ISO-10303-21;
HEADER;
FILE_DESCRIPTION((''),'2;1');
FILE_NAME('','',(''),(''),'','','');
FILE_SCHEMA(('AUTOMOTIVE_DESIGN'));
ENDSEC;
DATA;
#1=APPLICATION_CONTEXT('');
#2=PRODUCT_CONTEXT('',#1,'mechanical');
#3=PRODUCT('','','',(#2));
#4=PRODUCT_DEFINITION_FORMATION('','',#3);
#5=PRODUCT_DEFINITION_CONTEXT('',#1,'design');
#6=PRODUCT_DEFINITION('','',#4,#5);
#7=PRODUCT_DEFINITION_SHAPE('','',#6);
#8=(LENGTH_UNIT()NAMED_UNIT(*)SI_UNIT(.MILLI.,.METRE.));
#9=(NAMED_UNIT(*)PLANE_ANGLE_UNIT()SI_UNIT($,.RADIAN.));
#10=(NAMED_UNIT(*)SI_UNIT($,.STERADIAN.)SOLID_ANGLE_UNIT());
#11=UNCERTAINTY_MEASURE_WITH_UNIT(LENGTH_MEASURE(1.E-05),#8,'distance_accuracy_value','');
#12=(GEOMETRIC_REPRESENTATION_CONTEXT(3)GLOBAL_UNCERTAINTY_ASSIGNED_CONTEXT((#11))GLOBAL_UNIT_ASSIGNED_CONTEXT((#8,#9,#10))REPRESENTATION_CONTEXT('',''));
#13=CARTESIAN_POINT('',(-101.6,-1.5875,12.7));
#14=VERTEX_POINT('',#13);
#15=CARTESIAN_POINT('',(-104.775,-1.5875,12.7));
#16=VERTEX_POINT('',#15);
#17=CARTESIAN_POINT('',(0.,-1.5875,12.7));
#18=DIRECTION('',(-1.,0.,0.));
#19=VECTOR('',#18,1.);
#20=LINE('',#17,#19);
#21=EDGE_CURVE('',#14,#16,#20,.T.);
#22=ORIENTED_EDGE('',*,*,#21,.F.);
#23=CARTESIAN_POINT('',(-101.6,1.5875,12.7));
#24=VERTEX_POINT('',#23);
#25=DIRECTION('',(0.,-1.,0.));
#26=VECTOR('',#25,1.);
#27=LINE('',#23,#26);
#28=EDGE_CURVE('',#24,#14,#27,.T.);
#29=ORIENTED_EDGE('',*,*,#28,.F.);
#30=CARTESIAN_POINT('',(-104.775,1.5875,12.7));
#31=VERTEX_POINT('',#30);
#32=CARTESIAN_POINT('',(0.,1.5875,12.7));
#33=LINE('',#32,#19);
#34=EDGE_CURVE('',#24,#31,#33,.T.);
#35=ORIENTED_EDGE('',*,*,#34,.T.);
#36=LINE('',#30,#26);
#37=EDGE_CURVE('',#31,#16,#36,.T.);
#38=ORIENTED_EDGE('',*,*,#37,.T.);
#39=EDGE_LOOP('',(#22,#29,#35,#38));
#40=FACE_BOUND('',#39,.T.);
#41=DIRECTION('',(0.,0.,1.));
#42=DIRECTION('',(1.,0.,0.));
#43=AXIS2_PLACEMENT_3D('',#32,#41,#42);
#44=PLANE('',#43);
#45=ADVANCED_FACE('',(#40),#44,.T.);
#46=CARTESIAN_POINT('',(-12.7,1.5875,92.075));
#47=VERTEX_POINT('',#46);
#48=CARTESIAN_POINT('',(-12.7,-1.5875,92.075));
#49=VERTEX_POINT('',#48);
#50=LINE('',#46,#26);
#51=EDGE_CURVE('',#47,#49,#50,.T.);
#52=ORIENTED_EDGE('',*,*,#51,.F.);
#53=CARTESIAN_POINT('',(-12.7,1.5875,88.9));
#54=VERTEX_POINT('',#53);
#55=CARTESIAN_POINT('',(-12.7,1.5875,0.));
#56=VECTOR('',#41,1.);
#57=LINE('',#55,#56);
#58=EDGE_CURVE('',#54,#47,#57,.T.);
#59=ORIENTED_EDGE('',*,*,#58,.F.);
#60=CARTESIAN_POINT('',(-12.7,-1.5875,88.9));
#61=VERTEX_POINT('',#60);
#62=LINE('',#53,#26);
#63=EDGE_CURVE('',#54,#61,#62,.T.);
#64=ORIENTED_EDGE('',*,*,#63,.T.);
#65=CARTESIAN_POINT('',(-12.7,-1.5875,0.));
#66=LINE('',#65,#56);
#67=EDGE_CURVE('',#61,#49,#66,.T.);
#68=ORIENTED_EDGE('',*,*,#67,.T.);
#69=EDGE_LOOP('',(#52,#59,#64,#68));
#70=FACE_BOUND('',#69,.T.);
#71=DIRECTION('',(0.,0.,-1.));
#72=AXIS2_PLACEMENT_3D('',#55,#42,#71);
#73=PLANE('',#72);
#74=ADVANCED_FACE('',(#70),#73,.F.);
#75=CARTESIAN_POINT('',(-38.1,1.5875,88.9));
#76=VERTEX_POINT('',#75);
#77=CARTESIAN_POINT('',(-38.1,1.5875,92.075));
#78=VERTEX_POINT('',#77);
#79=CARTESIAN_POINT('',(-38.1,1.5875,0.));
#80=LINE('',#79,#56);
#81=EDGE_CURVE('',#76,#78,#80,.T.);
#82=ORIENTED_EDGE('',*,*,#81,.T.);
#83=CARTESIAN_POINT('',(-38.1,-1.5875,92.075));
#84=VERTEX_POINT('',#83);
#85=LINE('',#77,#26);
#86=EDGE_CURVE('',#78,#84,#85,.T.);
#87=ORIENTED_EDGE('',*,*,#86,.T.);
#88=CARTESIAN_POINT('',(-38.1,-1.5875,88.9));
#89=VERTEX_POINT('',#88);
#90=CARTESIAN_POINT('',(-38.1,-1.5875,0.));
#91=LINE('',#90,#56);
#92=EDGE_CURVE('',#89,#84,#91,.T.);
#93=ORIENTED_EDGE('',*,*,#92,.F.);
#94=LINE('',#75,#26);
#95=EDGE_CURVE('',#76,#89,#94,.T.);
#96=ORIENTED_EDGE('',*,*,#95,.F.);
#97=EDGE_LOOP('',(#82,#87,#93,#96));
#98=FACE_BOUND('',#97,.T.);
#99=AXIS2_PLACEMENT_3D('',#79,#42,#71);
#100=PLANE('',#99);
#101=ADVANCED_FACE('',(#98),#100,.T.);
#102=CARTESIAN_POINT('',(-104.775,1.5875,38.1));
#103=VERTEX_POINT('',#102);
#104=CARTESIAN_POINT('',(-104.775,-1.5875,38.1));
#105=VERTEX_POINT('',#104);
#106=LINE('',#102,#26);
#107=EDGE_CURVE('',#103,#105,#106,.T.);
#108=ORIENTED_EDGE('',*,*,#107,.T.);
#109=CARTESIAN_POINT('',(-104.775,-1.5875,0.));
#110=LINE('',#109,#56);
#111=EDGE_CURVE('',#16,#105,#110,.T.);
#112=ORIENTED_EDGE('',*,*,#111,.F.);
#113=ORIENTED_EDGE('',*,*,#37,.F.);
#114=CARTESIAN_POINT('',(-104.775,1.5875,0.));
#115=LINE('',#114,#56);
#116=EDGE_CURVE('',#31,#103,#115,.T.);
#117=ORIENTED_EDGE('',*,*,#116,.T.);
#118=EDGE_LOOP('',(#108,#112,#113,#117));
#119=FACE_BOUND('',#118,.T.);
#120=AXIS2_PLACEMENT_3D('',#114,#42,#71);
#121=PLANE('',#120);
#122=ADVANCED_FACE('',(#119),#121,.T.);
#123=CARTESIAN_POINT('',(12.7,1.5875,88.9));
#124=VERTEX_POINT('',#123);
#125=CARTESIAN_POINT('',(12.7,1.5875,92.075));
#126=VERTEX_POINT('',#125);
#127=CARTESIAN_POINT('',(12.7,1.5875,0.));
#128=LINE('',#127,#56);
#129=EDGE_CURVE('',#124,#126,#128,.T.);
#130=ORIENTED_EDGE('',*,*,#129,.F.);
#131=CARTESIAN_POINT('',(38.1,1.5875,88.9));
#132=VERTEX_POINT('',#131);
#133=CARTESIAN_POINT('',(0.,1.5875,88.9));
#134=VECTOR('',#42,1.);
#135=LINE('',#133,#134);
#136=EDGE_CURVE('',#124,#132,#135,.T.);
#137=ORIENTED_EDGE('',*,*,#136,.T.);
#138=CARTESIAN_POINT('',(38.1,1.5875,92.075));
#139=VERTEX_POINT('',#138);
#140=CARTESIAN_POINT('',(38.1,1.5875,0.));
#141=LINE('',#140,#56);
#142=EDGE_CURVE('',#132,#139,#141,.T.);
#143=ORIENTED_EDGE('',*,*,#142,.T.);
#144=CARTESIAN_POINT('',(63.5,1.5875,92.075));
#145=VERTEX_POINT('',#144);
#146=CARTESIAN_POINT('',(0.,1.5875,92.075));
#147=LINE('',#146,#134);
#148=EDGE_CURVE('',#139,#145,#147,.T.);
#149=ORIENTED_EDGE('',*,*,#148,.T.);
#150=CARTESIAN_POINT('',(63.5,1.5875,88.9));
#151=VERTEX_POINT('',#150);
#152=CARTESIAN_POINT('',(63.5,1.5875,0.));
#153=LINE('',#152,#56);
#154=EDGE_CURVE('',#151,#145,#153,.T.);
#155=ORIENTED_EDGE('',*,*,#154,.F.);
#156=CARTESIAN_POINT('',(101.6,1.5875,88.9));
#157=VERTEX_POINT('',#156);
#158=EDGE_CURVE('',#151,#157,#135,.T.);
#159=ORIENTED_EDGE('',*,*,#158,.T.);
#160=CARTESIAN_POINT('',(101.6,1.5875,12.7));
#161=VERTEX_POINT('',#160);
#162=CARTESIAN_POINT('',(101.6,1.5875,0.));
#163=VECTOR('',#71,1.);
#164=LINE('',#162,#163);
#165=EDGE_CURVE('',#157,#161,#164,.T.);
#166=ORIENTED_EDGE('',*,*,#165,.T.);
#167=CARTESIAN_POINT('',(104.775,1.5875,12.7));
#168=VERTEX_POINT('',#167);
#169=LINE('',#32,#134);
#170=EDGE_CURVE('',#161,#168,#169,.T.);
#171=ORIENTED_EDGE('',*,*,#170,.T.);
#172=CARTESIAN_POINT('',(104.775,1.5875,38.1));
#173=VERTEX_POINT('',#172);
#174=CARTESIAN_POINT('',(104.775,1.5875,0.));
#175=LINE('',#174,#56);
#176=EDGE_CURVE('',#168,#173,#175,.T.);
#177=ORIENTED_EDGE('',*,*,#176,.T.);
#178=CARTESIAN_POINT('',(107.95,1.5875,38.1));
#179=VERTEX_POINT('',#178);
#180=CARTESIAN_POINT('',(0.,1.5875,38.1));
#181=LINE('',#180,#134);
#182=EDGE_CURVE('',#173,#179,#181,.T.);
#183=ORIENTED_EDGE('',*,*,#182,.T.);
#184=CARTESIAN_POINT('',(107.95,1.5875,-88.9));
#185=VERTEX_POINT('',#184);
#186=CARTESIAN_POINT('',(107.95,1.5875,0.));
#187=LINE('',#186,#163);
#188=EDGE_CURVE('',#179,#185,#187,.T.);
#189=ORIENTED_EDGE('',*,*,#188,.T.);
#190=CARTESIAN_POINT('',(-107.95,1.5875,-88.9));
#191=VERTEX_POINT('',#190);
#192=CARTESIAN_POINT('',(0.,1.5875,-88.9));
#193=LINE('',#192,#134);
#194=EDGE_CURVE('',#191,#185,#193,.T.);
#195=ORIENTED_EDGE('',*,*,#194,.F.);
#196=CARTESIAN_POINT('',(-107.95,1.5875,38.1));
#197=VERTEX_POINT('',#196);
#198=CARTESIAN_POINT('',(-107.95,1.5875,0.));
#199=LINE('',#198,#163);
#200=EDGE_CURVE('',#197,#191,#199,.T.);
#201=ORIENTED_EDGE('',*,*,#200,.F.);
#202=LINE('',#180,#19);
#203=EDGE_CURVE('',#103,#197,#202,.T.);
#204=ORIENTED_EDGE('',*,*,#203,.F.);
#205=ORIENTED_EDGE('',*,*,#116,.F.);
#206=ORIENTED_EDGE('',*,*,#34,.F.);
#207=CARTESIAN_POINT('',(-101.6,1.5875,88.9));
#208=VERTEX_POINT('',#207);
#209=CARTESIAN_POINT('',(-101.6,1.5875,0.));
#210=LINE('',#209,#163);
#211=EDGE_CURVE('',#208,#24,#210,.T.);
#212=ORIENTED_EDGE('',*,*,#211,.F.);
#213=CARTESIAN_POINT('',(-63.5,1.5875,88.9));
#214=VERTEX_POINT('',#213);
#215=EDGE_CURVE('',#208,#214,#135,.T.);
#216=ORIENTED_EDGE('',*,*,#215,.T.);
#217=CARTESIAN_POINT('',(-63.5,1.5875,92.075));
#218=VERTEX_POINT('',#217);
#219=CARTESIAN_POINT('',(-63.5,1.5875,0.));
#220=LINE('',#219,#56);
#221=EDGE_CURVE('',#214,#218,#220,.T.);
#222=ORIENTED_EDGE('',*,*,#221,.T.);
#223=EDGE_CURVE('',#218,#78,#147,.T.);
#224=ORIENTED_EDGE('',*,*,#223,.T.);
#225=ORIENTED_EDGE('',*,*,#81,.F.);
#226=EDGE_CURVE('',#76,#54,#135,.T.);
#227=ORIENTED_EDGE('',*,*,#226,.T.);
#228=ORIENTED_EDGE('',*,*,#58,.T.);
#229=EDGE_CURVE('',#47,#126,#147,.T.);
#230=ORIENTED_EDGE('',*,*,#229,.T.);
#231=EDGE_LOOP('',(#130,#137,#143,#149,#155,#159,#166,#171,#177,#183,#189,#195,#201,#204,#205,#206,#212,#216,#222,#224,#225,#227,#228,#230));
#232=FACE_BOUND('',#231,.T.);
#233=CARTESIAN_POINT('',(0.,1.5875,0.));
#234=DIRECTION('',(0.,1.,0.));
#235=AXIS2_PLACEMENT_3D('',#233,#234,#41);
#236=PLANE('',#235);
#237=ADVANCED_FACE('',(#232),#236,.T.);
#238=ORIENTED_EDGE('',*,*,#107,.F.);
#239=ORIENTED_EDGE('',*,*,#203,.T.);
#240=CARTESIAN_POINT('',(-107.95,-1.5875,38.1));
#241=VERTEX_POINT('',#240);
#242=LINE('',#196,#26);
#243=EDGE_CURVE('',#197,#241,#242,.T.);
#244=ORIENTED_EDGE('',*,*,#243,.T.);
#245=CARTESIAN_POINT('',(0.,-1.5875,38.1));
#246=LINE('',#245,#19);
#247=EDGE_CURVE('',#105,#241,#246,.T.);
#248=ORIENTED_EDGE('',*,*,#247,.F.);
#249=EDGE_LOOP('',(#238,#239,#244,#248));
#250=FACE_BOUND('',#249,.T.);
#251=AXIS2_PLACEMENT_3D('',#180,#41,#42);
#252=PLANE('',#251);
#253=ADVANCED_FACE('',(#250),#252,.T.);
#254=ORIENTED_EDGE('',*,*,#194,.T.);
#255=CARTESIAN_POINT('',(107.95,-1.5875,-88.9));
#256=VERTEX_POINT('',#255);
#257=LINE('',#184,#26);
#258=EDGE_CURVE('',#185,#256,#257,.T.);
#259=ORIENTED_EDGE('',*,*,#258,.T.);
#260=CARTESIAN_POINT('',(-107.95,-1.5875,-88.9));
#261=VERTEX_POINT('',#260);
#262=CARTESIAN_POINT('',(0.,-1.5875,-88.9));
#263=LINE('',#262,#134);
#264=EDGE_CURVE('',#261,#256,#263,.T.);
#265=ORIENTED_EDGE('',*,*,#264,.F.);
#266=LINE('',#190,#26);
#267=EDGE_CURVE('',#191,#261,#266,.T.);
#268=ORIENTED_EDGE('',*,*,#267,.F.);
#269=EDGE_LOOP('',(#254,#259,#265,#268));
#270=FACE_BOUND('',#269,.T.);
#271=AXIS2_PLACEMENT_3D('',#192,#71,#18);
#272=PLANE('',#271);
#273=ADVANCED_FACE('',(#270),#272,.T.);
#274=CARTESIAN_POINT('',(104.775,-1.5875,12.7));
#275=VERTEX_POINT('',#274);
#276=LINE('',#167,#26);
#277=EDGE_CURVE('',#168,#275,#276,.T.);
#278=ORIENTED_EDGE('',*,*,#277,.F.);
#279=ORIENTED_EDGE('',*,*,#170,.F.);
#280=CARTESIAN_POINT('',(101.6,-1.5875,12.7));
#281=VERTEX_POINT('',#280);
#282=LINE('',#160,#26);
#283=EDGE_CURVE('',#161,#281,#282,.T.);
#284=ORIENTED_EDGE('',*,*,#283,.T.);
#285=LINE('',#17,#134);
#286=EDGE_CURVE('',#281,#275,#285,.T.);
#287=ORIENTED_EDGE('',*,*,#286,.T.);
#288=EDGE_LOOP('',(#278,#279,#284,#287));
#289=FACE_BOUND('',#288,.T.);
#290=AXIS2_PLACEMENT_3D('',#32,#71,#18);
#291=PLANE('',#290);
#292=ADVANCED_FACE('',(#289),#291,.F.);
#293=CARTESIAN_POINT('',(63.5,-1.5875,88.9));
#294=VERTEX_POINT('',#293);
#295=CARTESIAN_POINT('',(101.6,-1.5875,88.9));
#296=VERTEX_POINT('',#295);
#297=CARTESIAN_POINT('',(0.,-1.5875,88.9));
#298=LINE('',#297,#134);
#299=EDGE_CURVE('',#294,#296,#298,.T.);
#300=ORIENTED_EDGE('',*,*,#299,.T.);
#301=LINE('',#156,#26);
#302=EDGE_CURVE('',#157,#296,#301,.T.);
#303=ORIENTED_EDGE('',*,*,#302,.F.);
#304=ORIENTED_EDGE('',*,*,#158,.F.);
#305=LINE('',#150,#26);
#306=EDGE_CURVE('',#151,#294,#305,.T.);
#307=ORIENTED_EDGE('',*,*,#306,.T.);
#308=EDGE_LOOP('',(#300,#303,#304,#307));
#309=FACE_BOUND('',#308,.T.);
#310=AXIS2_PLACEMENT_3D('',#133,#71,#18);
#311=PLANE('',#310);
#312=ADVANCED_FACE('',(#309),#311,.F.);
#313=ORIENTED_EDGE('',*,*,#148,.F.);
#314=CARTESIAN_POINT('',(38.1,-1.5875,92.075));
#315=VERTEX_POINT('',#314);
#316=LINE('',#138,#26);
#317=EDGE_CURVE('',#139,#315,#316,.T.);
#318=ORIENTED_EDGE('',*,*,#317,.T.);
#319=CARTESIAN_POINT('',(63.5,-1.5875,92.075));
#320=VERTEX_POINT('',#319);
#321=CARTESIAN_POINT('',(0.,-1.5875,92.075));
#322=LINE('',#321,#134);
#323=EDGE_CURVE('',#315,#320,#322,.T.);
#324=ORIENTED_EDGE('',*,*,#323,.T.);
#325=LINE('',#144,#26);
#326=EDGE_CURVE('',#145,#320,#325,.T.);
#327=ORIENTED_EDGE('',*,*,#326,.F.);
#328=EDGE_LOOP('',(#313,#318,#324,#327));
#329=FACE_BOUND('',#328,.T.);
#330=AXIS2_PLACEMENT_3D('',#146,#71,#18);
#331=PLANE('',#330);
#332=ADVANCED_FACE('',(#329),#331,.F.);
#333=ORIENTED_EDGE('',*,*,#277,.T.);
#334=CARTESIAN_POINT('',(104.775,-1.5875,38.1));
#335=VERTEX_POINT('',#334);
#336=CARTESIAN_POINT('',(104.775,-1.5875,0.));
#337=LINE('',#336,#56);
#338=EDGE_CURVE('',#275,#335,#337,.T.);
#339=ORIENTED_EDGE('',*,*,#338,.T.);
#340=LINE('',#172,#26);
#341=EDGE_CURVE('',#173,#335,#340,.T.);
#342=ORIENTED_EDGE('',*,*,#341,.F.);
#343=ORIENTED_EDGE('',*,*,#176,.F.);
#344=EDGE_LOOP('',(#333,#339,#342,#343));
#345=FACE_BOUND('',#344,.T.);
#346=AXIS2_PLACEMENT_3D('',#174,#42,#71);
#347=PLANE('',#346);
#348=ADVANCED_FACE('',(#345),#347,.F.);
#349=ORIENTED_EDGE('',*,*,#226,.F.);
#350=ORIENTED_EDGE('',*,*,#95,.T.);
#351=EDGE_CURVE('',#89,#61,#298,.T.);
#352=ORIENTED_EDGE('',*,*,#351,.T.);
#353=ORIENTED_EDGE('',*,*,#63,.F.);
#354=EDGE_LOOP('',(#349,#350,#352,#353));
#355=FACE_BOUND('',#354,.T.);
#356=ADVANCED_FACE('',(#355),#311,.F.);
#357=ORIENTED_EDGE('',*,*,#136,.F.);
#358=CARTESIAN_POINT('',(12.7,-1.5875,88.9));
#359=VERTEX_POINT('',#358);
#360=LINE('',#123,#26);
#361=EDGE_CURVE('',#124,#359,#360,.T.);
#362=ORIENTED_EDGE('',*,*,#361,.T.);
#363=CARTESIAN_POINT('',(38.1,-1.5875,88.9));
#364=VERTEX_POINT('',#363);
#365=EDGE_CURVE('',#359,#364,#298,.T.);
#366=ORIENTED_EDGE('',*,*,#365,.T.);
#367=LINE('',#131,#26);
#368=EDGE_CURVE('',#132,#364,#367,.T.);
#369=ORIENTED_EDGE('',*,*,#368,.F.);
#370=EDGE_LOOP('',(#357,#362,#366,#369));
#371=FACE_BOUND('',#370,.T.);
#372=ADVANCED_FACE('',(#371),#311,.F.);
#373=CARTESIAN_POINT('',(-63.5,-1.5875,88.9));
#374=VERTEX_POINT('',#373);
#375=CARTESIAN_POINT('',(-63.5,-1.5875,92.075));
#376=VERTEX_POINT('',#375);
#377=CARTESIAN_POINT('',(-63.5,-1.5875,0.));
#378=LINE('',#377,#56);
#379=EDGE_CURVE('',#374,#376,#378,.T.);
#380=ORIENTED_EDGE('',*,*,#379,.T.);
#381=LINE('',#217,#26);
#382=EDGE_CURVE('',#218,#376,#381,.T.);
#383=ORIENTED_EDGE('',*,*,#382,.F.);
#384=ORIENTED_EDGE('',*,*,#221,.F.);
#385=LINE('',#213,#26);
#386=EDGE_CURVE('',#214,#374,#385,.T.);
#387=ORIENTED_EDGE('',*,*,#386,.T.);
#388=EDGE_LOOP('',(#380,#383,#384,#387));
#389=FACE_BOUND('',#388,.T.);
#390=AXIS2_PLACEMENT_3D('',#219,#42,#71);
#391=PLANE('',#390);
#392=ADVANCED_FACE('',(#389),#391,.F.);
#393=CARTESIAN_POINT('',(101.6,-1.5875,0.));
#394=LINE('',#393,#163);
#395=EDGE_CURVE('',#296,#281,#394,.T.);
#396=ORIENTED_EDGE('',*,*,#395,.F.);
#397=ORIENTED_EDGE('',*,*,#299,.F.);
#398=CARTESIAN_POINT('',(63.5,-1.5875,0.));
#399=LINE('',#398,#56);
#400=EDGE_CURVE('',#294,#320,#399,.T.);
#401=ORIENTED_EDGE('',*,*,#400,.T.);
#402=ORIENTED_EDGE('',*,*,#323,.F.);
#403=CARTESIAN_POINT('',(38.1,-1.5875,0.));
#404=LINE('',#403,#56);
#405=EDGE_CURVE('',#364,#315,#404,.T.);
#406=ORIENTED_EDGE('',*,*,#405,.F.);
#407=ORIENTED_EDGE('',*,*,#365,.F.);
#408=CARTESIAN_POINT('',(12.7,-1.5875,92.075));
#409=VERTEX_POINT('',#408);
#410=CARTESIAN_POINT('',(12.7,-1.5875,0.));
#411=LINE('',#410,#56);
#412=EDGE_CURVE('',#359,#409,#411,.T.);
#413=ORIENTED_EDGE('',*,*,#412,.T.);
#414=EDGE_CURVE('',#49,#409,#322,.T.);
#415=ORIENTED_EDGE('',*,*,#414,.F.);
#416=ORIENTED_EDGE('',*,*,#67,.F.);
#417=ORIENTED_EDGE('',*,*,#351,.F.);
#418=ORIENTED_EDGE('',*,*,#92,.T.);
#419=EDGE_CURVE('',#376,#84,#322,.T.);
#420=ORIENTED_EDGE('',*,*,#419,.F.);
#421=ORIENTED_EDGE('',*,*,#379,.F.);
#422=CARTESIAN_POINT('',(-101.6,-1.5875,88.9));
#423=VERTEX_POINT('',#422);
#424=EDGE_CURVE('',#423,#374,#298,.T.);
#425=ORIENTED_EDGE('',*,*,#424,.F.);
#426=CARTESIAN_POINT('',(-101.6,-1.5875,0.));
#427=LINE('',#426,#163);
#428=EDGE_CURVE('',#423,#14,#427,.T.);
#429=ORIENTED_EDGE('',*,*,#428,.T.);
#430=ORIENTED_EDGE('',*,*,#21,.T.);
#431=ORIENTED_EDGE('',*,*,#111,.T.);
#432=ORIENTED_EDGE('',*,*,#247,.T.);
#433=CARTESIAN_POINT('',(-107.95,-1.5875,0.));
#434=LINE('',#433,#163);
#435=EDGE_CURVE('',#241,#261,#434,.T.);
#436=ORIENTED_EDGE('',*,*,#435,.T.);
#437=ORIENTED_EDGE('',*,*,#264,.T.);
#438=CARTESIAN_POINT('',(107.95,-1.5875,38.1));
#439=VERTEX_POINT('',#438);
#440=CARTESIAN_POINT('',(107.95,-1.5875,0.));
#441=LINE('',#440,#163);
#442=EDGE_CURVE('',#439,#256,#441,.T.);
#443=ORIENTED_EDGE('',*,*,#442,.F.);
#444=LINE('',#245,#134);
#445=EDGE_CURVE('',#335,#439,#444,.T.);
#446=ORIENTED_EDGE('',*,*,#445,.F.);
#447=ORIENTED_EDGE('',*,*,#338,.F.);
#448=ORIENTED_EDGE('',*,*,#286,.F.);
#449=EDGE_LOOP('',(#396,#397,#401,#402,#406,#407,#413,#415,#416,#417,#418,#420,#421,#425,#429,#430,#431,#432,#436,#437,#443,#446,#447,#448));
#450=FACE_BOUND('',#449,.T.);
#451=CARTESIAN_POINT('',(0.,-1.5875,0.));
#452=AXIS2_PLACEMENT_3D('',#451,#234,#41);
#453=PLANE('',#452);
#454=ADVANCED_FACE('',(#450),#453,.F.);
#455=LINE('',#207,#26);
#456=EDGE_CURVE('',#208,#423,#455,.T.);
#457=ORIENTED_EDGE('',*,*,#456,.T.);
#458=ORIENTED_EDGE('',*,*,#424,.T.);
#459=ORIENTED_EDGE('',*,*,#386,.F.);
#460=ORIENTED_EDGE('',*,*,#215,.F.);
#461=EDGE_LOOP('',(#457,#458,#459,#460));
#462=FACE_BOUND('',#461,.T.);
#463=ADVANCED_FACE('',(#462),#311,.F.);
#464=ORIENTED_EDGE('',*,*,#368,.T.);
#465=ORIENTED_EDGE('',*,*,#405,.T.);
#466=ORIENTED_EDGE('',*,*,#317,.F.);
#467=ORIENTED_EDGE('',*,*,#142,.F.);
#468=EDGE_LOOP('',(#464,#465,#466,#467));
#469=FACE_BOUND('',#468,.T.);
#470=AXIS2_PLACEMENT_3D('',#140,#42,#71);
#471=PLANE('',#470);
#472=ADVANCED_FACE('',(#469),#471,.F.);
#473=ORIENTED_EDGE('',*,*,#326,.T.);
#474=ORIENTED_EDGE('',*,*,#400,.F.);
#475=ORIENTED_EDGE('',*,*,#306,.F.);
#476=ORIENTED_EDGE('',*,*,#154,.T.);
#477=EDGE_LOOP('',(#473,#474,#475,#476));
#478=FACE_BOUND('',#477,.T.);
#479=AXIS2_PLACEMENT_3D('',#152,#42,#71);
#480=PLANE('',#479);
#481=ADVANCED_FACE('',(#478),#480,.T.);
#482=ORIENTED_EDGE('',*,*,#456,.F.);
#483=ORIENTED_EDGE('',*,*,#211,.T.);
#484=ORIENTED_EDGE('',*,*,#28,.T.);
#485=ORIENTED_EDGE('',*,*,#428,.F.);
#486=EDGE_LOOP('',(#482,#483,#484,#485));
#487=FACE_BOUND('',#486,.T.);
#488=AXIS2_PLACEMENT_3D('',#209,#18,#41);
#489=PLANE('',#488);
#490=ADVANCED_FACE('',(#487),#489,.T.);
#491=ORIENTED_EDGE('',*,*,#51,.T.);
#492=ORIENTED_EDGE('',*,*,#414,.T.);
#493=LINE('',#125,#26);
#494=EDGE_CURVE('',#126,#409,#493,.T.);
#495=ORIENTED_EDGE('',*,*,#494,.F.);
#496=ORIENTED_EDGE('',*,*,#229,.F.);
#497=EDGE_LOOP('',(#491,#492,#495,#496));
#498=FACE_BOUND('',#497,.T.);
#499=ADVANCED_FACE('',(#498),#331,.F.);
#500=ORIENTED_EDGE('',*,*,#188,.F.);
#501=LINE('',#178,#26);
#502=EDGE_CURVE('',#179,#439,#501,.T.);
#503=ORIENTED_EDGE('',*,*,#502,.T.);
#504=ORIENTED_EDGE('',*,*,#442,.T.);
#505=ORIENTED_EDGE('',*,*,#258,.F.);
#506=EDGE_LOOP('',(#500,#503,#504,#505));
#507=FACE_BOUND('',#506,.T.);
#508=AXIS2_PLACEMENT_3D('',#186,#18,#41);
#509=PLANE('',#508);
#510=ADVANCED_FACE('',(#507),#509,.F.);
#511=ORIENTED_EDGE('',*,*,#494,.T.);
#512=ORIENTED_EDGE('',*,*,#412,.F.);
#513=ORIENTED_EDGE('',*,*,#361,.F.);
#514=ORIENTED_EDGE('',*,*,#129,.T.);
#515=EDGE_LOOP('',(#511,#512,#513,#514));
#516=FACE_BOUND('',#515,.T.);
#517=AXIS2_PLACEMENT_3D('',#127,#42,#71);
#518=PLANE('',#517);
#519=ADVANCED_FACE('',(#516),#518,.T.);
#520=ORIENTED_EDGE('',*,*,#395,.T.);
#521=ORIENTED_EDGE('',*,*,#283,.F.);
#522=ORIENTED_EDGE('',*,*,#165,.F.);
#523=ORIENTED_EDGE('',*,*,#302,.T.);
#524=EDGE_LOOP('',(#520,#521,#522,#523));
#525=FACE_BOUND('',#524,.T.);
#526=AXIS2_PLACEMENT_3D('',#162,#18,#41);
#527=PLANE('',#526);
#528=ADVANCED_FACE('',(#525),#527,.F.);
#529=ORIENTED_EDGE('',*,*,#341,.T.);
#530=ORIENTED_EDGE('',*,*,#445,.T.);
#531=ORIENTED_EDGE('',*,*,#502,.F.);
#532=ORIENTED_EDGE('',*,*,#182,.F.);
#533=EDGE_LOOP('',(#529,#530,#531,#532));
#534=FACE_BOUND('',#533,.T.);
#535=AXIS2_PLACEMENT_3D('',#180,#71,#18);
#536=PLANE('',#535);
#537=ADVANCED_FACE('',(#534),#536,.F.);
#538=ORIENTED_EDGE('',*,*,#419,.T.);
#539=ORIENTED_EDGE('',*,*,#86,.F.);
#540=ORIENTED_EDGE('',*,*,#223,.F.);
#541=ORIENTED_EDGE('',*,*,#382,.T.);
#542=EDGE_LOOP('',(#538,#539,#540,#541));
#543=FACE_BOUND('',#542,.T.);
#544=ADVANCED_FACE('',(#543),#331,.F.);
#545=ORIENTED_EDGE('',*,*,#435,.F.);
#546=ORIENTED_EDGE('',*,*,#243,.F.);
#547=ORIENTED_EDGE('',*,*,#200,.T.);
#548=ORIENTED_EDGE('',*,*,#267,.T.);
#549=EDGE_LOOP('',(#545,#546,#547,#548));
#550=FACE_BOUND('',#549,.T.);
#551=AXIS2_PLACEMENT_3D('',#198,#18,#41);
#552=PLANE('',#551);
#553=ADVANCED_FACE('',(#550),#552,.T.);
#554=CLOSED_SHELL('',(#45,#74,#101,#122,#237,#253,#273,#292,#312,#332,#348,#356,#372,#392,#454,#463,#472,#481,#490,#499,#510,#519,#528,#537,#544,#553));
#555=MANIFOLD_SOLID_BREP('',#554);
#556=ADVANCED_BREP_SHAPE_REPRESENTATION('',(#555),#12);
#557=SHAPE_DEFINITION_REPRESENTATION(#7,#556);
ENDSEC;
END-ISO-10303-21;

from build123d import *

# Parameters (mm, degrees)
SKETCH1_W           = 25.4
SKETCH1_H           = 3.175
BOSS_EXTRUDE1_DEPTH = 1.5875


with BuildPart() as part:
    # Sketch1 → Boss-Extrude1 (new body, symmetric)
    with BuildSketch(Plane(origin=(0, 0, 0), x_dir=(1, 0, 0), z_dir=(0, 1, 0))):
        Polygon((-101.6, -12.7), (-101.6, -88.9), (-63.5, -88.9), (-38.1, -88.9), (-12.7, -88.9), (12.7, -88.9), (38.1, -88.9), (63.5, -88.9), (101.6, -88.9), (101.6, -12.7), (104.775, -12.7), (104.775, -38.1), (107.95, -38.1), (107.95, 88.9), (-107.95, 88.9), (-107.95, -38.1), (-104.775, -38.1), (-104.775, -12.7), align=None)
        with Locations((-50.8, -90.4875)):
            Rectangle(SKETCH1_W, SKETCH1_H)
        with Locations((0, -90.4875)):
            Rectangle(SKETCH1_W, SKETCH1_H)
        with Locations((50.8, -90.4875)):
            Rectangle(SKETCH1_W, SKETCH1_H)
    extrude(amount=BOSS_EXTRUDE1_DEPTH, both=True)


solid = part.part
